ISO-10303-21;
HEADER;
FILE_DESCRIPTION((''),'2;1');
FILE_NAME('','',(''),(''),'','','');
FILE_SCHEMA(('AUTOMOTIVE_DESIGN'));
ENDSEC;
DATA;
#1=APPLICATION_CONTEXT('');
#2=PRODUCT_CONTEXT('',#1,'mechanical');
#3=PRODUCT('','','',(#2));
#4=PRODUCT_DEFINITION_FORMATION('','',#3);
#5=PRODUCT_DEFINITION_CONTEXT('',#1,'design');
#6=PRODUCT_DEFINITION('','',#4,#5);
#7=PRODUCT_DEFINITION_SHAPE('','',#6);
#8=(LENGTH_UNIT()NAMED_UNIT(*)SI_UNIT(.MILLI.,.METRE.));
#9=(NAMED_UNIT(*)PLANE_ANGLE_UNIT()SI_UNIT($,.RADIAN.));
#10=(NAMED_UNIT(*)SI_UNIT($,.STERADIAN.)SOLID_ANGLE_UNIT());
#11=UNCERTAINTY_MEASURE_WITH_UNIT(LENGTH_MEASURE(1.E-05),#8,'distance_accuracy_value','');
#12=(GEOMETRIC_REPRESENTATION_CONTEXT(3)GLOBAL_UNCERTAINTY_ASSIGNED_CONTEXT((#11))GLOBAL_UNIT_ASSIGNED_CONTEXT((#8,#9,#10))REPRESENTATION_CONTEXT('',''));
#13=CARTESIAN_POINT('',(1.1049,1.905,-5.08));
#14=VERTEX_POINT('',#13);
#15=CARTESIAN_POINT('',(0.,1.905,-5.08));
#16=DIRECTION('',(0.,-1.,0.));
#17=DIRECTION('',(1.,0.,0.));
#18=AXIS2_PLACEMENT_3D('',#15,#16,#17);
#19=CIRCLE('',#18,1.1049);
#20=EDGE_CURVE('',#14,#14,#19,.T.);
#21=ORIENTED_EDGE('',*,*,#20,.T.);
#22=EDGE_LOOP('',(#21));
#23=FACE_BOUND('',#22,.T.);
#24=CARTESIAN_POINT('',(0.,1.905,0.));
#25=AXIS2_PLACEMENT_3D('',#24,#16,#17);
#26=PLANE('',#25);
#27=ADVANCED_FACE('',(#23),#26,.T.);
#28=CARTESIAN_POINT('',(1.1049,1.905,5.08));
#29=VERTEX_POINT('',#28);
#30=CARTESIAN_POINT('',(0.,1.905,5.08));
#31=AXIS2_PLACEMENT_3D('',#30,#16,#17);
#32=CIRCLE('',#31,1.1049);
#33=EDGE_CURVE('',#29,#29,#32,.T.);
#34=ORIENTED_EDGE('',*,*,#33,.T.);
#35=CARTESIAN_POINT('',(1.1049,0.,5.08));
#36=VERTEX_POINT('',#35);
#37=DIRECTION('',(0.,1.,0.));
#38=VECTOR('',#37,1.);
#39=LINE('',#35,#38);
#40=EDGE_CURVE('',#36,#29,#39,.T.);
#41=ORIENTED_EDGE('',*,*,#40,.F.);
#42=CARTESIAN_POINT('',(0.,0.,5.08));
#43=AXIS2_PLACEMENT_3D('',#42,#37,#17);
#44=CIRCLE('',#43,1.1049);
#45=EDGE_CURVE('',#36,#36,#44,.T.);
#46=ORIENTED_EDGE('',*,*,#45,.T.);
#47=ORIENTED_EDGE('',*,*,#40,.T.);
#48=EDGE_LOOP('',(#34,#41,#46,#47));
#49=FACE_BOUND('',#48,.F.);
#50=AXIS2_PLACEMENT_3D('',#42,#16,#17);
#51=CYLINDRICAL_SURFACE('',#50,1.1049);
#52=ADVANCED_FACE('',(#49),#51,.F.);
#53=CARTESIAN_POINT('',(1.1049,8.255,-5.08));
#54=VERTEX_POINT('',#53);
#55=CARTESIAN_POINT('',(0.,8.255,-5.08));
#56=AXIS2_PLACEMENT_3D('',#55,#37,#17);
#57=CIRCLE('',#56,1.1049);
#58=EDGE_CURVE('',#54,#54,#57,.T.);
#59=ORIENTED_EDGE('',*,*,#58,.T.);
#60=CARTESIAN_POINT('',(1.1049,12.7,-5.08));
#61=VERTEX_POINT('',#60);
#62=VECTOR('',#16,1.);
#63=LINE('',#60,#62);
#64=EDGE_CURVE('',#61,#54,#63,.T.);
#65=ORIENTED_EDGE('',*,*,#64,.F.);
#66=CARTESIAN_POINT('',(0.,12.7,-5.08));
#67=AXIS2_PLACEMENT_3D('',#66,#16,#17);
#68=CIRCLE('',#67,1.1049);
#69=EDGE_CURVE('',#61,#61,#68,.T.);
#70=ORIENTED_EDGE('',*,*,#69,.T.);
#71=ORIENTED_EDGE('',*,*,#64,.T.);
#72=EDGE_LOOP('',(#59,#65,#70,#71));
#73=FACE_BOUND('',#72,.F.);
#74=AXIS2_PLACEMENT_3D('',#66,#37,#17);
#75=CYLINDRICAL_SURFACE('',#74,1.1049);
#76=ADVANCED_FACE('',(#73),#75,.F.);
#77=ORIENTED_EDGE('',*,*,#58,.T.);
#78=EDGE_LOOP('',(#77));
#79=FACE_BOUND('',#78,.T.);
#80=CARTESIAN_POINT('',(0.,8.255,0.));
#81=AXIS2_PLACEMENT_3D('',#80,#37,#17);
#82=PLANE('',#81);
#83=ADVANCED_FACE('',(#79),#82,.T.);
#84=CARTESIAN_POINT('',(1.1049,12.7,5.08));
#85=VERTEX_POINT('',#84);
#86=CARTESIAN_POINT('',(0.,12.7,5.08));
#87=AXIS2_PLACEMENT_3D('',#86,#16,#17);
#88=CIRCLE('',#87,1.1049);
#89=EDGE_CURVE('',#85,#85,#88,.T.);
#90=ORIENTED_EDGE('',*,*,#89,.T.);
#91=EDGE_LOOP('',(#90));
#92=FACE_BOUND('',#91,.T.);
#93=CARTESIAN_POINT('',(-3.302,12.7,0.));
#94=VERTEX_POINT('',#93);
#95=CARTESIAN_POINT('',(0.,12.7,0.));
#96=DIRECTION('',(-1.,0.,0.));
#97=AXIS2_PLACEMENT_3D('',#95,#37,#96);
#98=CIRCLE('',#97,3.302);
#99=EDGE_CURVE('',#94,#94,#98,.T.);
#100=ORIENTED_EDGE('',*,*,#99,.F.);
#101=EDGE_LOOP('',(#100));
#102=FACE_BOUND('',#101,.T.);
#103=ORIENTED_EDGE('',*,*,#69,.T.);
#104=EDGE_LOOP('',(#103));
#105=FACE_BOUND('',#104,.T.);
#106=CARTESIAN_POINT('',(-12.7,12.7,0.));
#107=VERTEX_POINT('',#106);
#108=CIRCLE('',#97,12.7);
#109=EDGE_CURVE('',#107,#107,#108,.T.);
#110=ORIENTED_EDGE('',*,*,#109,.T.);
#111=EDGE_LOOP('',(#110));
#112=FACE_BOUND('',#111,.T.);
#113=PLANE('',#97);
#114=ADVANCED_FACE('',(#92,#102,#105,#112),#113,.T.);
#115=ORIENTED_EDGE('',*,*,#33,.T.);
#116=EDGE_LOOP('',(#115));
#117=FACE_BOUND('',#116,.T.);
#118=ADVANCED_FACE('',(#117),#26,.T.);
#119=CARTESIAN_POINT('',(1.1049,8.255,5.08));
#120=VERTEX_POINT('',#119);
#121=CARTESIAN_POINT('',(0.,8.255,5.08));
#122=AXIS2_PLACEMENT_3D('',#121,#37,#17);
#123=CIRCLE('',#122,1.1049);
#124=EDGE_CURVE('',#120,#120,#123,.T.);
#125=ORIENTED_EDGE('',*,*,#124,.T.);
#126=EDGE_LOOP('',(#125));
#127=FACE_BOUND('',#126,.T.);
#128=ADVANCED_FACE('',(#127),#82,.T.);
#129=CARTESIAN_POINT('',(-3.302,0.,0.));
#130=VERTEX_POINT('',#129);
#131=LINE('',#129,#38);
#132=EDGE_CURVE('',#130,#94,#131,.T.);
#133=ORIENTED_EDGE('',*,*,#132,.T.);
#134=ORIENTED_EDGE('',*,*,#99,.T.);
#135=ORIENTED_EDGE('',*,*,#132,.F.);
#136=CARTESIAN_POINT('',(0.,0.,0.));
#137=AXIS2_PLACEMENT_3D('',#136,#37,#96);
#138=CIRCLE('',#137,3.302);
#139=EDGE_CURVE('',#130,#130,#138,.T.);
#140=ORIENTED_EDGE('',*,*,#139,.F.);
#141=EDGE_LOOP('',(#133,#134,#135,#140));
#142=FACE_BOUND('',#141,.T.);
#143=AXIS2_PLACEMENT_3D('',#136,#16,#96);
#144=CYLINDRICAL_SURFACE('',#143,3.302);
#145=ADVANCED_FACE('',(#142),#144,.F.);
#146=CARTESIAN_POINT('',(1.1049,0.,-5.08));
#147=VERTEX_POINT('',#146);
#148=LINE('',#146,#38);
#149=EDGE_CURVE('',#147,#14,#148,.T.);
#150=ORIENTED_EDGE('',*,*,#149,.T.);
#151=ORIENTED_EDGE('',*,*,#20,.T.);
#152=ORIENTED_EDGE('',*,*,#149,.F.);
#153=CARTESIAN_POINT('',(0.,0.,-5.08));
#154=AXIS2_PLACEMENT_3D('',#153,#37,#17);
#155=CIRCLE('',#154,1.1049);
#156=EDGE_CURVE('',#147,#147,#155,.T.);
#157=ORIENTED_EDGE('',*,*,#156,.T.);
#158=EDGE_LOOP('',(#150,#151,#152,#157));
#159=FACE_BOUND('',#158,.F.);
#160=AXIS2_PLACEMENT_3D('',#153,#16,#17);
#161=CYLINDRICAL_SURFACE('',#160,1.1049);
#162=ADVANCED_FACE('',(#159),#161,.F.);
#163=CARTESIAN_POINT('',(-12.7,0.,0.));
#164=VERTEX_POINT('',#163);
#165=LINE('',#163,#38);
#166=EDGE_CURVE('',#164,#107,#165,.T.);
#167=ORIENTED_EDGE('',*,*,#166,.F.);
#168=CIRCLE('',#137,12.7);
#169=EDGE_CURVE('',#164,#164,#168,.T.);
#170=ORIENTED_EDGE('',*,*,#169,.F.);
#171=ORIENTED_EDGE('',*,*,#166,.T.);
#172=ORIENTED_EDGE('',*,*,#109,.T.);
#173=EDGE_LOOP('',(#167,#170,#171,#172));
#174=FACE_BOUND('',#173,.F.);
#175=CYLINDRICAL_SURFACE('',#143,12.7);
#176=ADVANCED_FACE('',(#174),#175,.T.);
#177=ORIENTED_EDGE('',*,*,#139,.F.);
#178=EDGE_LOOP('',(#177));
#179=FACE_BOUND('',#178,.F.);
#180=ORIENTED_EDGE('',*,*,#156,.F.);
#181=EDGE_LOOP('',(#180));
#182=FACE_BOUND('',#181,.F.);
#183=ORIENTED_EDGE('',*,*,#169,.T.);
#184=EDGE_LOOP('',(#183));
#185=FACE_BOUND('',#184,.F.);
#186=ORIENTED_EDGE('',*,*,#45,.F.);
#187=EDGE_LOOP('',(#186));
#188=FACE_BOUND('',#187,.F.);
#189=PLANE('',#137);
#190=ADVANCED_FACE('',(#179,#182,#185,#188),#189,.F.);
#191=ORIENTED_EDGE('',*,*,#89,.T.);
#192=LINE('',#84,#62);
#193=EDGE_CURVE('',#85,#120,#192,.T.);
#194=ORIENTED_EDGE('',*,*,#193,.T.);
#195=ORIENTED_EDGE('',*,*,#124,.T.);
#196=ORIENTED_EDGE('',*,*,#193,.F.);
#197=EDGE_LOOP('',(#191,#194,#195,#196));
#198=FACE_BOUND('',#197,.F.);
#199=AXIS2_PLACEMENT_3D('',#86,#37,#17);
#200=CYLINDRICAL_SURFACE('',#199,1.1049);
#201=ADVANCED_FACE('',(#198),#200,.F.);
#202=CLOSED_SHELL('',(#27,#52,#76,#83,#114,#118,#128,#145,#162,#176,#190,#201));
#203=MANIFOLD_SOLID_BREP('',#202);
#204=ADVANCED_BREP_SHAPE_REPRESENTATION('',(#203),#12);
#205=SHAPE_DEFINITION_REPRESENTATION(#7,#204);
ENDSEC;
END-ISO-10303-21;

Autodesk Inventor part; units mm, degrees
ref_plane "YZ Plane" through (0, 0, 0) normal (1, 0, 0) x (0, 1, 0)
ref_plane "XZ Plane" through (0, 0, 0) normal (0, 1, 0) x (-1, 0, 0)
ref_plane "XY Plane" through (0, 0, 0) normal (0, 0, 1) x (1, 0, 0)
sketch "Sketch1" plane through (0, 0, 0) normal (0, 1, 0) x (-1, 0, 0)
  circle A0 centre (0, 0) radius 12.7
  circle A1 centre (0, 0) radius 3.302
  dimension "d0" = 25.4
  dimension "d1" = 6.604
extrude "Extrusion1" add sketch "Sketch1" along normal blind 12.7
sketch "Sketch2" plane through (0, 12.7, 0) normal (0, 1, 0) x (1, 0, 0)
  line L0 (0, 0) -> (0, -5.08)
  line L1 (0, -5.08) -> (0, 0)
  line L2 (0, 0) -> (0, 5.08)
  circle A0 centre (0, -5.08) radius 1.1049
  circle A1 centre (0, 5.08) radius 1.1049
  dimension "d4" = 5.08
  dimension "d5" = 5.08
  dimension "d6" = 2.2098
  dimension "d7" = 2.2098
extrude "Extrusion2" cut sketch "Sketch2" against normal blind 4.445
sketch "Sketch3" plane through (0, 0, 0) normal (0, -1, 0) x (1, 0, 0)
  line L0 (0, 0) -> (0, 5.08)
  line L1 (0, 5.08) -> (0, -5.08)
  circle A0 centre (0, 5.08) radius 1.1049
  circle A1 centre (0, -5.08) radius 1.1049
  dimension "d10" = 5.08
  dimension "d11" = 10.16
  dimension "d14" = 2.2098
  dimension "d15" = 2.2098
extrude "Extrusion3" cut sketch "Sketch3" against normal blind 1.905
properties part number "PolarisPost_HeightAdjustment_0p5in_smallholesfrom0p79to0p81"
